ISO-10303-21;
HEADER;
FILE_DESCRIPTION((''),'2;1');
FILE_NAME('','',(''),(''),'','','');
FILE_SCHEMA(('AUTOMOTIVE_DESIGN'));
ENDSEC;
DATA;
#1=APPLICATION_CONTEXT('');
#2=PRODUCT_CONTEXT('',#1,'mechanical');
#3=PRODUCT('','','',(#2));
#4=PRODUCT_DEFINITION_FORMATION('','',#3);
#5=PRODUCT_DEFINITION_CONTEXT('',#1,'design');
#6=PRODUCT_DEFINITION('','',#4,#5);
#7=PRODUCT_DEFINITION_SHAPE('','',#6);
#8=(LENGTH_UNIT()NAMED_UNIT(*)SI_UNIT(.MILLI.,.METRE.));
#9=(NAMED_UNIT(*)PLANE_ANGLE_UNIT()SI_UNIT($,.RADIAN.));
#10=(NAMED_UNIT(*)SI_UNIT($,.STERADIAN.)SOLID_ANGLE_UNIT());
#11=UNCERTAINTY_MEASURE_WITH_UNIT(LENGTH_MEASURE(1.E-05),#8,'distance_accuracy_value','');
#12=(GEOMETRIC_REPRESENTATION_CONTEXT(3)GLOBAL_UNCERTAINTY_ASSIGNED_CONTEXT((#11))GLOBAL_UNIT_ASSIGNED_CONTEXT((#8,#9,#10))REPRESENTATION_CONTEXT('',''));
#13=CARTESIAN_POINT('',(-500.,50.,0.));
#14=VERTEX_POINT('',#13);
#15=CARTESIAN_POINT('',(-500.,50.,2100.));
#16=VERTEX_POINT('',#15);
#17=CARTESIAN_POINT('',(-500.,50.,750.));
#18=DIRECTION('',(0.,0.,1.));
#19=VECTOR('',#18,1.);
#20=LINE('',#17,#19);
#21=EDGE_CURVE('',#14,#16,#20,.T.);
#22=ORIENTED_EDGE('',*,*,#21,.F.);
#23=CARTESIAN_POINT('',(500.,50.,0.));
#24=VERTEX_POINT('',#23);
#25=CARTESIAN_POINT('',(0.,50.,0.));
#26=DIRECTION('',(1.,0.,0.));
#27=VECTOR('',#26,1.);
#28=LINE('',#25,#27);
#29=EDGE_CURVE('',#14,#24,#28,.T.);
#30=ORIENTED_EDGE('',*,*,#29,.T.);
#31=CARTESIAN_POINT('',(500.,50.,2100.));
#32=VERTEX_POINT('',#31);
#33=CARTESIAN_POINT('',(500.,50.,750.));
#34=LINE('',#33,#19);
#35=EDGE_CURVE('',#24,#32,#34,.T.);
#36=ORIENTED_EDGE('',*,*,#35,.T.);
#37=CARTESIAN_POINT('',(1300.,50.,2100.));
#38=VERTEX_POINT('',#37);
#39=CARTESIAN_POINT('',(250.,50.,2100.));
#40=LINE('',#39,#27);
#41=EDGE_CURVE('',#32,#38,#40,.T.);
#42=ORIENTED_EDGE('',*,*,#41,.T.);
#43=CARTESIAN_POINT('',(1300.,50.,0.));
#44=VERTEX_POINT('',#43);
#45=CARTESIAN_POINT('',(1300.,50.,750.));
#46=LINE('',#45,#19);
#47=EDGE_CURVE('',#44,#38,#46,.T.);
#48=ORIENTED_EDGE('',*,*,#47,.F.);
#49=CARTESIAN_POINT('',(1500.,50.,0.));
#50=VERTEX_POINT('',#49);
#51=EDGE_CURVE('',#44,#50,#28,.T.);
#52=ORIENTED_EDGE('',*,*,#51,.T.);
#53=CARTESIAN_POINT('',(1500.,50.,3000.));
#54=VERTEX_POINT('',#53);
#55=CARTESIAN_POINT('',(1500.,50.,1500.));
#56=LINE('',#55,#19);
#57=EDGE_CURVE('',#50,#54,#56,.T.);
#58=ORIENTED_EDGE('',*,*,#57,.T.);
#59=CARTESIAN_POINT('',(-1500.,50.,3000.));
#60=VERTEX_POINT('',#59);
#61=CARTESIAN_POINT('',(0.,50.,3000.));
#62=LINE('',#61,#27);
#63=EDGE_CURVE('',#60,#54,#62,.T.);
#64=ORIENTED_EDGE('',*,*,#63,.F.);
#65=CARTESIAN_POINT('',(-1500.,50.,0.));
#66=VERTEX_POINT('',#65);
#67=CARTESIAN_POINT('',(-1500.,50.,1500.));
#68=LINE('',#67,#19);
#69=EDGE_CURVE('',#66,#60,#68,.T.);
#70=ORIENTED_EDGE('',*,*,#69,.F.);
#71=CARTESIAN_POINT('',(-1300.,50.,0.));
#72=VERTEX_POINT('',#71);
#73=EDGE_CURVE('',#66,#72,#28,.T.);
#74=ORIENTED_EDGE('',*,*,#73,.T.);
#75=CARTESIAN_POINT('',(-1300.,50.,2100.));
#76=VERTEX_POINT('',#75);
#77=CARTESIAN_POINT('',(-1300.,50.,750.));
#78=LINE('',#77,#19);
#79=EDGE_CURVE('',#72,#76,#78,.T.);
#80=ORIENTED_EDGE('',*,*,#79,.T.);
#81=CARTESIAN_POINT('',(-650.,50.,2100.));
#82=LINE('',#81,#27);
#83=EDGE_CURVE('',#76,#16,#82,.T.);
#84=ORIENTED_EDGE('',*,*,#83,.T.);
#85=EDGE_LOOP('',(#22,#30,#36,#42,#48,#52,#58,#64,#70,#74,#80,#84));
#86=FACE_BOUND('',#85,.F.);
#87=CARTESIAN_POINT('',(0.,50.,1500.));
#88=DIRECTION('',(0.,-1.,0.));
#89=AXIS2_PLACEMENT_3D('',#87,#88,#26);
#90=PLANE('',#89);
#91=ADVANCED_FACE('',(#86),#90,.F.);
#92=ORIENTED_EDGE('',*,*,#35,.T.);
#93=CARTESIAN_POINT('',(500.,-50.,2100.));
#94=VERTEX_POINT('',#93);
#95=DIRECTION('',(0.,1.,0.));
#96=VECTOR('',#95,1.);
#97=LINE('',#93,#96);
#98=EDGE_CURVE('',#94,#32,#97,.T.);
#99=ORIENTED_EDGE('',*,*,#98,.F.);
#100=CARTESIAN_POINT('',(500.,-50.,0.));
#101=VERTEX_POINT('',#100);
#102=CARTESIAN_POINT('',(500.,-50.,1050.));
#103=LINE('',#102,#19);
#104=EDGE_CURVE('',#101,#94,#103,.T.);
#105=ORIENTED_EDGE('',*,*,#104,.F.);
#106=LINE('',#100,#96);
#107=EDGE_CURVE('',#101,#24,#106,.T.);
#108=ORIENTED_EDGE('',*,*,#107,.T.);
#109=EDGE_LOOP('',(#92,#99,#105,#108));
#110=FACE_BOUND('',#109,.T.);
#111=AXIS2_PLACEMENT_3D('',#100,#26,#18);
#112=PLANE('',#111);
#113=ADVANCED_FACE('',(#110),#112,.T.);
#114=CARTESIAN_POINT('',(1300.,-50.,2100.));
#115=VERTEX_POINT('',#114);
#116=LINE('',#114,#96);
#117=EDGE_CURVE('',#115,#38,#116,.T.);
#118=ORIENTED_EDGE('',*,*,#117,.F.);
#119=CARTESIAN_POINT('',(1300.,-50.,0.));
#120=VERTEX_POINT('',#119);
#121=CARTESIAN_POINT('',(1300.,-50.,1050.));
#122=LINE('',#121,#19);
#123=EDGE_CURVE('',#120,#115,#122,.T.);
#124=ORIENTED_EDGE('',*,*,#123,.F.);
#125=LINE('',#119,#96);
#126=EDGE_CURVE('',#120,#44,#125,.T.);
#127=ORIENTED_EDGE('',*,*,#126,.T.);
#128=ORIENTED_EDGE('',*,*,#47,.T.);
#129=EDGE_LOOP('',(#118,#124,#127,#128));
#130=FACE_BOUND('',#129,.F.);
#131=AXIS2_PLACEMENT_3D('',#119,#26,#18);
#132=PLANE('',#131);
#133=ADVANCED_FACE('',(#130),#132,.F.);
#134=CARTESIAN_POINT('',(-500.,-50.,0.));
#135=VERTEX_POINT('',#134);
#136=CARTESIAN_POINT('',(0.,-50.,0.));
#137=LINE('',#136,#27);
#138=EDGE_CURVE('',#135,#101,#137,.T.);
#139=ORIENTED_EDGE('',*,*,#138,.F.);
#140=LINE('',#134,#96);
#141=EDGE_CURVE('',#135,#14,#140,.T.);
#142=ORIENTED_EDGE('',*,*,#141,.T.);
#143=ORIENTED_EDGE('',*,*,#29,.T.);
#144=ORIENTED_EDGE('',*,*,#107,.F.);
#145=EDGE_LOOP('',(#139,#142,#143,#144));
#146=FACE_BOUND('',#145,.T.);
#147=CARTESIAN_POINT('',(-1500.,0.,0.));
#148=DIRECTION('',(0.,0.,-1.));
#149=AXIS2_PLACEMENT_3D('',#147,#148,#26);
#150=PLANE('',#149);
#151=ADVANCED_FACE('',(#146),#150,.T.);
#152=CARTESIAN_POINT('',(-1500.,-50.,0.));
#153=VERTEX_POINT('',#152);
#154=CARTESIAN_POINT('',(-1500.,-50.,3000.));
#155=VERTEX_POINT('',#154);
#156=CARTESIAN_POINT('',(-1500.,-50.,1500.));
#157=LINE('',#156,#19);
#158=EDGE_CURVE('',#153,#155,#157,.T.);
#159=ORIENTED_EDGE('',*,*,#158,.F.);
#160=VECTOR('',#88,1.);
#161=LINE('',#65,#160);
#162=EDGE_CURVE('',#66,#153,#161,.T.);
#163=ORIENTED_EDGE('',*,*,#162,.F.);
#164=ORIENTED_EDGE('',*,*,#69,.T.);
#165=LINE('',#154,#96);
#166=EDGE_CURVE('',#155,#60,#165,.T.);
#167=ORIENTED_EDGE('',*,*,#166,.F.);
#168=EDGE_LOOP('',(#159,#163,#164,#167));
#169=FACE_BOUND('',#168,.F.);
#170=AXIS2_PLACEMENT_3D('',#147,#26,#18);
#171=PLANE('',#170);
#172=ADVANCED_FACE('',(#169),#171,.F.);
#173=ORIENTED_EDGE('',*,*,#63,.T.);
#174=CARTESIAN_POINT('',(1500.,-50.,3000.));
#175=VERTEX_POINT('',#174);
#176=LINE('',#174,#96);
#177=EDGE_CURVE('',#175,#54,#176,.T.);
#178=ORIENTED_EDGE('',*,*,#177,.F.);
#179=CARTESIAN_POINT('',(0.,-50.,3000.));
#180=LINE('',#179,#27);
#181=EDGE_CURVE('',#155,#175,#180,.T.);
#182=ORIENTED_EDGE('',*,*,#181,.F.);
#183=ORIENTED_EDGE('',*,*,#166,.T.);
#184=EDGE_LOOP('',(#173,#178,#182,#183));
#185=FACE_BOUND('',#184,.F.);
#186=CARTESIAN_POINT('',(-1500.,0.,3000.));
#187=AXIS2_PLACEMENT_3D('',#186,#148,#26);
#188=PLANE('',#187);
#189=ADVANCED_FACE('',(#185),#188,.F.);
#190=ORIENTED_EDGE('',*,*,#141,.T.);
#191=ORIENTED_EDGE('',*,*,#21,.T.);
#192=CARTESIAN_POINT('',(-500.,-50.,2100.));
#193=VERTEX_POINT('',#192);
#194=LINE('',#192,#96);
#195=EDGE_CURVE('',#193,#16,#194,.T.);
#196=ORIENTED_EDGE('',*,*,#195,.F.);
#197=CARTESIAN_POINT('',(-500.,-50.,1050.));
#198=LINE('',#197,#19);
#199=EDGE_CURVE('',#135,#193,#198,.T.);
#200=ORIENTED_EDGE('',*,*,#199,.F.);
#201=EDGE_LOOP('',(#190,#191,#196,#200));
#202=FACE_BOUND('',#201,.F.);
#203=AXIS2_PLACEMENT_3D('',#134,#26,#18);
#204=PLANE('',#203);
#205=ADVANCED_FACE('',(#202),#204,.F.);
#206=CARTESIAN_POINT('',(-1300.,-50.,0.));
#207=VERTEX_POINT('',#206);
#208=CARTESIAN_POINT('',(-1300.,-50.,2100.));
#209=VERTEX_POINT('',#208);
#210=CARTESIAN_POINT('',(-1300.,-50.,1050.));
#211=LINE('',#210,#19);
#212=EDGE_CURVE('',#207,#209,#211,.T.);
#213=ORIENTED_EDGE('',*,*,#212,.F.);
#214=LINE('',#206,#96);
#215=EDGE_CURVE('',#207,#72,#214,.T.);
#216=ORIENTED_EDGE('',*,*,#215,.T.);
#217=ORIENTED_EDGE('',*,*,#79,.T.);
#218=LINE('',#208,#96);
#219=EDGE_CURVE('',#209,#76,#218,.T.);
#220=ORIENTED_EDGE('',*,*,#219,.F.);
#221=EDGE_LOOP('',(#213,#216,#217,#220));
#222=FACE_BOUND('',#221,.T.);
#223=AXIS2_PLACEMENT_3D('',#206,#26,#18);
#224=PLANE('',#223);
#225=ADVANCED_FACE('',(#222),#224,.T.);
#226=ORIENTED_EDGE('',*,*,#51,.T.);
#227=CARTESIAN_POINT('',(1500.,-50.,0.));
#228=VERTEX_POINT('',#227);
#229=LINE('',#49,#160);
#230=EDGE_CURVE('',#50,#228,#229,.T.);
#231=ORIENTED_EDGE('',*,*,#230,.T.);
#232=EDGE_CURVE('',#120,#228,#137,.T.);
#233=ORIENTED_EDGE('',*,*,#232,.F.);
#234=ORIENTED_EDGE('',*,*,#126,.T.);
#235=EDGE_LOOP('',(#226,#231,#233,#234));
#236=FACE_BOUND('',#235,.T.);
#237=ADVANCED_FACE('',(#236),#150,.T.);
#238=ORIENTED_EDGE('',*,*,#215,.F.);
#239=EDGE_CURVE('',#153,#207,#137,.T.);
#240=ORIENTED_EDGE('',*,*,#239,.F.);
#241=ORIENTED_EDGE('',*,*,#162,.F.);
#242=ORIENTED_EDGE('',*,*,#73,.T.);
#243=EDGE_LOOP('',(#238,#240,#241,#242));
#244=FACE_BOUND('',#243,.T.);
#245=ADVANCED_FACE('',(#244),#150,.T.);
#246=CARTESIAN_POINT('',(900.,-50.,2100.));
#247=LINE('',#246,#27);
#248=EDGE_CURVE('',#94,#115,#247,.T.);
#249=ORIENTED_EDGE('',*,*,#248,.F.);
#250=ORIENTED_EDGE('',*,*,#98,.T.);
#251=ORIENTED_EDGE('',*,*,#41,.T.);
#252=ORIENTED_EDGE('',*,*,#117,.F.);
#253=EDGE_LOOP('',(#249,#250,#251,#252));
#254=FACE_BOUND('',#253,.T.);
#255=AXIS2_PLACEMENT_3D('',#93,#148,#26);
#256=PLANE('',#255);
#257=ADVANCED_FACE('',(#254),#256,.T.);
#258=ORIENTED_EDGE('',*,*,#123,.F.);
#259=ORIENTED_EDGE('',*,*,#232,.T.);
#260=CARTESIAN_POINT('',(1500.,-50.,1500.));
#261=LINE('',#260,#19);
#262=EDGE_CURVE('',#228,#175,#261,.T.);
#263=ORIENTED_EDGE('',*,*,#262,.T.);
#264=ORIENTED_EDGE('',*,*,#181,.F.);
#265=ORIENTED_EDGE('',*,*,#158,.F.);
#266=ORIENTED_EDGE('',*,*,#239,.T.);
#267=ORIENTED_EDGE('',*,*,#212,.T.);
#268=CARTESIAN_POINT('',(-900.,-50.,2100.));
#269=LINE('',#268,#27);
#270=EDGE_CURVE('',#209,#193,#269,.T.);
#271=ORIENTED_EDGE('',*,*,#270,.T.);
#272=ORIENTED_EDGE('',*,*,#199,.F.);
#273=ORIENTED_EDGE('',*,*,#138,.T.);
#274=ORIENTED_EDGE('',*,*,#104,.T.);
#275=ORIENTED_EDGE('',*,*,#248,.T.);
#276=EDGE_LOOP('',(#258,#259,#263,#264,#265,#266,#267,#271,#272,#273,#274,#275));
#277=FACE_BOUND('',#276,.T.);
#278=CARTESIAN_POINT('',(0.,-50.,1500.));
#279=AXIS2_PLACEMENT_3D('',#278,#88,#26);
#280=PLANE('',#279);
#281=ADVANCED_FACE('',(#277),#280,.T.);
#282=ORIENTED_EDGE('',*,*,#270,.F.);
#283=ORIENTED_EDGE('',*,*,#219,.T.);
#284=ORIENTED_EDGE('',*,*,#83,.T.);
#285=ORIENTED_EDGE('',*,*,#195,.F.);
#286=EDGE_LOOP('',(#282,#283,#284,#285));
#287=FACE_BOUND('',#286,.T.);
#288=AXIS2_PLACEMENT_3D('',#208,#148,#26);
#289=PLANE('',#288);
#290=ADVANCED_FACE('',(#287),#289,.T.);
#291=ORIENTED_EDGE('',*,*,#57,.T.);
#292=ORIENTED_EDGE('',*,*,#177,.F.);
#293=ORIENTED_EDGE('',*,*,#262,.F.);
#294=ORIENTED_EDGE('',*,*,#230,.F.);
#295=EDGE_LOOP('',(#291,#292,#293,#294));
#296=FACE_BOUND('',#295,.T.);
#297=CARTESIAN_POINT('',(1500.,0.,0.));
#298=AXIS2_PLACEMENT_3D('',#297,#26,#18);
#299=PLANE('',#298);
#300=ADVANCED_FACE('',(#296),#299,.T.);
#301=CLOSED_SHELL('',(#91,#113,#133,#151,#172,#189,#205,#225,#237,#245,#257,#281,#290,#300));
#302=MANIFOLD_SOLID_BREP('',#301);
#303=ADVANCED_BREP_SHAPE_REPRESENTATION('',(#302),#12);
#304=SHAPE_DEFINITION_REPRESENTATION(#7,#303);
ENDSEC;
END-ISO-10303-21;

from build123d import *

# Parameters (mm, degrees)
F0_W     = 3000
F0_H     = 3000
F1_DEPTH = 50
F2_W     = 800
F2_H     = 2100
F3_DEPTH = 100.001


with BuildPart() as f1:
    # F0 (on Front) → F1 (new body, symmetric)
    with BuildSketch(Plane.XZ):
        with Locations((0, 1500)):
            Rectangle(F0_W, F0_H)
    extrude(amount=F1_DEPTH, both=True)

    # F2 (on face) → F3 (cut, through all)
    with BuildSketch(Plane.XZ.offset(50)):
        with Locations((900, 1050)):
            Rectangle(F2_W, F2_H)
        with Locations((-900, 1050)):
            Rectangle(F2_W, F2_H)
    extrude(amount=-F3_DEPTH, mode=Mode.SUBTRACT)


solid = f1.part
